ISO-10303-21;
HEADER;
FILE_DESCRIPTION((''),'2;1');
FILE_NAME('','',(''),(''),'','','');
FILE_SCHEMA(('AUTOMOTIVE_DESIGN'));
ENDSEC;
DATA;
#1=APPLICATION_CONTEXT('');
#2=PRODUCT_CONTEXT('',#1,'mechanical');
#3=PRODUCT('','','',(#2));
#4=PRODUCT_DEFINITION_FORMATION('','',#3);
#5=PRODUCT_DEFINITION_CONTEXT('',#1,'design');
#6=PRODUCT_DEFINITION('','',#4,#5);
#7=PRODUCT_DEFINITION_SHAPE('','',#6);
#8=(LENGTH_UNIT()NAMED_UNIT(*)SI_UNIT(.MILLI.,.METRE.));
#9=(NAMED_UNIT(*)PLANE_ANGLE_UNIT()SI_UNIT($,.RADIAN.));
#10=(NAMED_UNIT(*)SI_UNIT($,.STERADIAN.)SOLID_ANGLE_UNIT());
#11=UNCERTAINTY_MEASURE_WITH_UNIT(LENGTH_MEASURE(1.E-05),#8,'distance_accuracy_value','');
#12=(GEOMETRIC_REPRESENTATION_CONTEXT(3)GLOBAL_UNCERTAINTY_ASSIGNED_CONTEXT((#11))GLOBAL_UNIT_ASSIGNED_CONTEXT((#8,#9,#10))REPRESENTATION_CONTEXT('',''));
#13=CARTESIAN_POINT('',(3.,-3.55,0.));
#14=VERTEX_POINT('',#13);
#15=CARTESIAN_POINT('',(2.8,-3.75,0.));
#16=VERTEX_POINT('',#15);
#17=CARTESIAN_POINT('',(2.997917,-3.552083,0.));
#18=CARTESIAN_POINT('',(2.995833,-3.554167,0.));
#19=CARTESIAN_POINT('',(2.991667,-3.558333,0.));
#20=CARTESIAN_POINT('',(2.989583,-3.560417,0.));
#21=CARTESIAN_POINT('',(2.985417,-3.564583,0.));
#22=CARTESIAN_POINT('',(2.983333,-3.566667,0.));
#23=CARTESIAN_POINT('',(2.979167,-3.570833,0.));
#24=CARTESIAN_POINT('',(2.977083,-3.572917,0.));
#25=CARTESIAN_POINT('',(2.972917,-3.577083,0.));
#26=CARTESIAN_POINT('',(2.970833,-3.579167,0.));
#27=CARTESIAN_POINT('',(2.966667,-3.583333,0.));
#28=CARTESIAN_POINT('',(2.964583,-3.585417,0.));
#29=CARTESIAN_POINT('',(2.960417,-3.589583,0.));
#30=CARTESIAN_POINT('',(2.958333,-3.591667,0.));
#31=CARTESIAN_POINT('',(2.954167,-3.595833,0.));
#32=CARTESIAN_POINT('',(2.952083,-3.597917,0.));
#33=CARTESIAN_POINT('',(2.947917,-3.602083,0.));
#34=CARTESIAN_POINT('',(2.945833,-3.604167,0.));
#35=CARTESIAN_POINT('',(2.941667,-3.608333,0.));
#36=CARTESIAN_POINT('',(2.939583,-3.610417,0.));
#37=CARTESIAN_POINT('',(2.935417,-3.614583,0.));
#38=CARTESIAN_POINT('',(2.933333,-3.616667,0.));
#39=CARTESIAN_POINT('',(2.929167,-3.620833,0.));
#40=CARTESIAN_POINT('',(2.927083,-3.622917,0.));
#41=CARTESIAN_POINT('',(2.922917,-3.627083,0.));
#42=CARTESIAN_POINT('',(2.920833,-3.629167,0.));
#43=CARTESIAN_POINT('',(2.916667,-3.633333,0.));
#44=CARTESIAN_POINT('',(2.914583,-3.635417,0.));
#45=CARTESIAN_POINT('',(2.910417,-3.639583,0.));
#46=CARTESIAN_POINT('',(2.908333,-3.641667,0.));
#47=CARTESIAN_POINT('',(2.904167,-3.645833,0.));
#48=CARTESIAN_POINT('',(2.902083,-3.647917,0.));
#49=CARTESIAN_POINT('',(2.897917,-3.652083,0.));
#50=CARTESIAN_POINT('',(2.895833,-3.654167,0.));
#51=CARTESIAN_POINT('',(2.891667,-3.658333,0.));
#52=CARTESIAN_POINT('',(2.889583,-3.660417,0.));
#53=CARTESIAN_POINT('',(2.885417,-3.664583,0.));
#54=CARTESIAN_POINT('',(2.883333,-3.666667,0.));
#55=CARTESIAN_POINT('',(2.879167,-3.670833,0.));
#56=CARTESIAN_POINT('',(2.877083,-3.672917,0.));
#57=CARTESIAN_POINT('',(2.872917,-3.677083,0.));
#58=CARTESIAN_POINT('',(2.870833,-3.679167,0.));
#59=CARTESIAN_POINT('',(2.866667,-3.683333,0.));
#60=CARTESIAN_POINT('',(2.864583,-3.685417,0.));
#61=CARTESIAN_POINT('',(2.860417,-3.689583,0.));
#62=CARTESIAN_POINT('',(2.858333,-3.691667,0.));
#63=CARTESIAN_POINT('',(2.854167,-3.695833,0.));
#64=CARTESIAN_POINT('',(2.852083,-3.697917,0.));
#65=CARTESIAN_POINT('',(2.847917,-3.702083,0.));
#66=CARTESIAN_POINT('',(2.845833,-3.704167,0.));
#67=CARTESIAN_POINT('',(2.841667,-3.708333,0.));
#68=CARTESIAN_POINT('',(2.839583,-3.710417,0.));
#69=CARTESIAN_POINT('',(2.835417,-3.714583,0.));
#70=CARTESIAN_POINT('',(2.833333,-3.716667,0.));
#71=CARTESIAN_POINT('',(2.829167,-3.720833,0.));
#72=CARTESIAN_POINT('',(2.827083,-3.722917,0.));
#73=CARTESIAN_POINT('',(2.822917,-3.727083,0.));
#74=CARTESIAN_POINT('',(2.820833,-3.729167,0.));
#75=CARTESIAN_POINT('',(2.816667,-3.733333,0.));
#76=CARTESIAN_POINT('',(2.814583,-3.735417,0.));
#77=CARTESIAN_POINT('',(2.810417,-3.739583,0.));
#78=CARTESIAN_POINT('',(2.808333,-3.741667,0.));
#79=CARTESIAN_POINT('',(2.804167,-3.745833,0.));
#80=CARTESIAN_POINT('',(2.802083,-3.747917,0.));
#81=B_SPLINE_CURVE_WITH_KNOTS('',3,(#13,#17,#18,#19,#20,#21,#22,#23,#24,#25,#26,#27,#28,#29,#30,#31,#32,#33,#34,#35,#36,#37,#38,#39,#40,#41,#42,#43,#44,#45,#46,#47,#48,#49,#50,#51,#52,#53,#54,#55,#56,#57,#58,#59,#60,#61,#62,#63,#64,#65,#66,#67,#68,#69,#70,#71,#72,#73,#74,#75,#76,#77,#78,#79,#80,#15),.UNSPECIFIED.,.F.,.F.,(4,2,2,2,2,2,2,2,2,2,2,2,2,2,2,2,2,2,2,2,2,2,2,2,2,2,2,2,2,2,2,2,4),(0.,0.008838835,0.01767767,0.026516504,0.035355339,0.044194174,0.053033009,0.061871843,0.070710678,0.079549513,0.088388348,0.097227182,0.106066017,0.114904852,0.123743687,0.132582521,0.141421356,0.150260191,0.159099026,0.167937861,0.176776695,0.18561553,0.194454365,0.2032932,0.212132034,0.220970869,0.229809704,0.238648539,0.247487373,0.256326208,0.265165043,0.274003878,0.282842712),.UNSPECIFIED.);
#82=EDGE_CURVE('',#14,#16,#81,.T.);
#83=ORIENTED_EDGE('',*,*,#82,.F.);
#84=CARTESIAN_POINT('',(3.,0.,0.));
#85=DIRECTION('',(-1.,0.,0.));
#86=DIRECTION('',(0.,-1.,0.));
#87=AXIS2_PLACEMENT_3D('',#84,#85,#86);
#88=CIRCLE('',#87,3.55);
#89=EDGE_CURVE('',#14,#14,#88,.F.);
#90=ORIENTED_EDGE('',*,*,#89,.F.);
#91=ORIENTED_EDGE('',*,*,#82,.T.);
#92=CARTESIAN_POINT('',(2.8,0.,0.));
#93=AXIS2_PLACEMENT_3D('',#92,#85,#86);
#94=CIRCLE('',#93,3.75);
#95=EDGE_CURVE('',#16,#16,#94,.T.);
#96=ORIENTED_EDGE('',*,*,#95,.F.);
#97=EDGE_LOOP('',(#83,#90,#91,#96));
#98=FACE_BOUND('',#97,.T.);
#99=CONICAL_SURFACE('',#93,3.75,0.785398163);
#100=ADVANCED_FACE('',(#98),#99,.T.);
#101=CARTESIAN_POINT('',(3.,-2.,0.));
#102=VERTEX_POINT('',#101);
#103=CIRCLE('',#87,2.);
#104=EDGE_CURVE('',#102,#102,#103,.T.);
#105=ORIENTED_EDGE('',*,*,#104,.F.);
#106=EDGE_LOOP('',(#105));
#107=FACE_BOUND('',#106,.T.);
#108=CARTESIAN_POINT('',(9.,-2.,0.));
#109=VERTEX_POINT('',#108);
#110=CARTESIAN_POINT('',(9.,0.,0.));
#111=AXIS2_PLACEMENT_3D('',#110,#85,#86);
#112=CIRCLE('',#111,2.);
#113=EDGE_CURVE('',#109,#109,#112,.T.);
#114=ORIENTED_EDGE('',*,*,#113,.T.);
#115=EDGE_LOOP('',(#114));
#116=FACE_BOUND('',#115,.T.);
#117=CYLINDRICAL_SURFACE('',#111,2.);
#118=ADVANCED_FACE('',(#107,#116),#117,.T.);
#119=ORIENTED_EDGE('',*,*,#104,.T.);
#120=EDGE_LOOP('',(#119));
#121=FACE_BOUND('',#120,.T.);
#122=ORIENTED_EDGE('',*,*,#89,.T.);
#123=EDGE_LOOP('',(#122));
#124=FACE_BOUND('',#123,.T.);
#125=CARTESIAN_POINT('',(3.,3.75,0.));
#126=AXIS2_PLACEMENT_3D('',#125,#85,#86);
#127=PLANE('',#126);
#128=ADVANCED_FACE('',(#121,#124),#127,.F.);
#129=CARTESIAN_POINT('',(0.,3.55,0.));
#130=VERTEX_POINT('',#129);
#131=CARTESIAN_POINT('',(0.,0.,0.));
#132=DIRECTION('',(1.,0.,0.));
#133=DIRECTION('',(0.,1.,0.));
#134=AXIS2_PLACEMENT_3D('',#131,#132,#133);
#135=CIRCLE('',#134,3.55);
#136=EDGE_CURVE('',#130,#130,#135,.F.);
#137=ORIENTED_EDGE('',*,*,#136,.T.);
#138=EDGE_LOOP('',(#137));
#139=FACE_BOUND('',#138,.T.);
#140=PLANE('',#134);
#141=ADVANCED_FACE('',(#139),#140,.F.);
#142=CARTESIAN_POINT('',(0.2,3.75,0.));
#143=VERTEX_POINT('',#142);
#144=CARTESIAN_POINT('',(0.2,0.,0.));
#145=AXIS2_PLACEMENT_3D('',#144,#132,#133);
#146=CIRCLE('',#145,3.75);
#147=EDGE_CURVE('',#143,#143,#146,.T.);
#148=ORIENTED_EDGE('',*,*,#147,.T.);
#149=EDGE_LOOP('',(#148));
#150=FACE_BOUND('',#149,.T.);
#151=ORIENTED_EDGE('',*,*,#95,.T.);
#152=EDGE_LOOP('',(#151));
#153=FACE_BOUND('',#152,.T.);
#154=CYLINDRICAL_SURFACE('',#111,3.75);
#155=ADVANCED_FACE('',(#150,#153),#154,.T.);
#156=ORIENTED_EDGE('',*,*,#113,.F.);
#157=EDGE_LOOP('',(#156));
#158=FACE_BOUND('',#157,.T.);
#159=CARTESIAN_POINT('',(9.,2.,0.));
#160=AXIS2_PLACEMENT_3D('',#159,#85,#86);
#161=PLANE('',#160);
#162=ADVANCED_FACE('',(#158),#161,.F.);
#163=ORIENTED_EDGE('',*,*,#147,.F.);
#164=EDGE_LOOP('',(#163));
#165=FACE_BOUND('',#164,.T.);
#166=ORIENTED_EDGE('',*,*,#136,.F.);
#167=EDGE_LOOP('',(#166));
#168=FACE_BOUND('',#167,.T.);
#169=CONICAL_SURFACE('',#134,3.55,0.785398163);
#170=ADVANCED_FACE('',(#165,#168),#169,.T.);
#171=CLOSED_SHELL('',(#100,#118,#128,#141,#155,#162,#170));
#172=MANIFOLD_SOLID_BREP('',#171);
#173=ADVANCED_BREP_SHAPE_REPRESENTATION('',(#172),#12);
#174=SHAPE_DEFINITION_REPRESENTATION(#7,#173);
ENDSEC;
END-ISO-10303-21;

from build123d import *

# Parameters (mm, degrees)
CHAMFER1_SIZE = 0.2


with BuildPart() as part:
    # Sketch1 → Revolve1 (revolve)
    with BuildSketch(Plane.XY, mode=Mode.PRIVATE) as revolve1_sk:
        Polygon((0, 0), (0, 3.75), (3, 3.75), (3, 2), (9, 2), (9, 0), align=None)
    revolve(revolve1_sk.sketch.rotate(Axis((9, 0, 0), (-1, 0, 0)), 180), axis=Axis((9, 0, 0), (-1, 0, 0)))

    # Chamfer1
    chamfer1_edges = [part.edges().sort_by_distance(p)[0] for p in [
        (3, 3.75, 0),
        (0, 3.75, 0),
    ]]
    chamfer(chamfer1_edges, length=CHAMFER1_SIZE)


solid = part.part
